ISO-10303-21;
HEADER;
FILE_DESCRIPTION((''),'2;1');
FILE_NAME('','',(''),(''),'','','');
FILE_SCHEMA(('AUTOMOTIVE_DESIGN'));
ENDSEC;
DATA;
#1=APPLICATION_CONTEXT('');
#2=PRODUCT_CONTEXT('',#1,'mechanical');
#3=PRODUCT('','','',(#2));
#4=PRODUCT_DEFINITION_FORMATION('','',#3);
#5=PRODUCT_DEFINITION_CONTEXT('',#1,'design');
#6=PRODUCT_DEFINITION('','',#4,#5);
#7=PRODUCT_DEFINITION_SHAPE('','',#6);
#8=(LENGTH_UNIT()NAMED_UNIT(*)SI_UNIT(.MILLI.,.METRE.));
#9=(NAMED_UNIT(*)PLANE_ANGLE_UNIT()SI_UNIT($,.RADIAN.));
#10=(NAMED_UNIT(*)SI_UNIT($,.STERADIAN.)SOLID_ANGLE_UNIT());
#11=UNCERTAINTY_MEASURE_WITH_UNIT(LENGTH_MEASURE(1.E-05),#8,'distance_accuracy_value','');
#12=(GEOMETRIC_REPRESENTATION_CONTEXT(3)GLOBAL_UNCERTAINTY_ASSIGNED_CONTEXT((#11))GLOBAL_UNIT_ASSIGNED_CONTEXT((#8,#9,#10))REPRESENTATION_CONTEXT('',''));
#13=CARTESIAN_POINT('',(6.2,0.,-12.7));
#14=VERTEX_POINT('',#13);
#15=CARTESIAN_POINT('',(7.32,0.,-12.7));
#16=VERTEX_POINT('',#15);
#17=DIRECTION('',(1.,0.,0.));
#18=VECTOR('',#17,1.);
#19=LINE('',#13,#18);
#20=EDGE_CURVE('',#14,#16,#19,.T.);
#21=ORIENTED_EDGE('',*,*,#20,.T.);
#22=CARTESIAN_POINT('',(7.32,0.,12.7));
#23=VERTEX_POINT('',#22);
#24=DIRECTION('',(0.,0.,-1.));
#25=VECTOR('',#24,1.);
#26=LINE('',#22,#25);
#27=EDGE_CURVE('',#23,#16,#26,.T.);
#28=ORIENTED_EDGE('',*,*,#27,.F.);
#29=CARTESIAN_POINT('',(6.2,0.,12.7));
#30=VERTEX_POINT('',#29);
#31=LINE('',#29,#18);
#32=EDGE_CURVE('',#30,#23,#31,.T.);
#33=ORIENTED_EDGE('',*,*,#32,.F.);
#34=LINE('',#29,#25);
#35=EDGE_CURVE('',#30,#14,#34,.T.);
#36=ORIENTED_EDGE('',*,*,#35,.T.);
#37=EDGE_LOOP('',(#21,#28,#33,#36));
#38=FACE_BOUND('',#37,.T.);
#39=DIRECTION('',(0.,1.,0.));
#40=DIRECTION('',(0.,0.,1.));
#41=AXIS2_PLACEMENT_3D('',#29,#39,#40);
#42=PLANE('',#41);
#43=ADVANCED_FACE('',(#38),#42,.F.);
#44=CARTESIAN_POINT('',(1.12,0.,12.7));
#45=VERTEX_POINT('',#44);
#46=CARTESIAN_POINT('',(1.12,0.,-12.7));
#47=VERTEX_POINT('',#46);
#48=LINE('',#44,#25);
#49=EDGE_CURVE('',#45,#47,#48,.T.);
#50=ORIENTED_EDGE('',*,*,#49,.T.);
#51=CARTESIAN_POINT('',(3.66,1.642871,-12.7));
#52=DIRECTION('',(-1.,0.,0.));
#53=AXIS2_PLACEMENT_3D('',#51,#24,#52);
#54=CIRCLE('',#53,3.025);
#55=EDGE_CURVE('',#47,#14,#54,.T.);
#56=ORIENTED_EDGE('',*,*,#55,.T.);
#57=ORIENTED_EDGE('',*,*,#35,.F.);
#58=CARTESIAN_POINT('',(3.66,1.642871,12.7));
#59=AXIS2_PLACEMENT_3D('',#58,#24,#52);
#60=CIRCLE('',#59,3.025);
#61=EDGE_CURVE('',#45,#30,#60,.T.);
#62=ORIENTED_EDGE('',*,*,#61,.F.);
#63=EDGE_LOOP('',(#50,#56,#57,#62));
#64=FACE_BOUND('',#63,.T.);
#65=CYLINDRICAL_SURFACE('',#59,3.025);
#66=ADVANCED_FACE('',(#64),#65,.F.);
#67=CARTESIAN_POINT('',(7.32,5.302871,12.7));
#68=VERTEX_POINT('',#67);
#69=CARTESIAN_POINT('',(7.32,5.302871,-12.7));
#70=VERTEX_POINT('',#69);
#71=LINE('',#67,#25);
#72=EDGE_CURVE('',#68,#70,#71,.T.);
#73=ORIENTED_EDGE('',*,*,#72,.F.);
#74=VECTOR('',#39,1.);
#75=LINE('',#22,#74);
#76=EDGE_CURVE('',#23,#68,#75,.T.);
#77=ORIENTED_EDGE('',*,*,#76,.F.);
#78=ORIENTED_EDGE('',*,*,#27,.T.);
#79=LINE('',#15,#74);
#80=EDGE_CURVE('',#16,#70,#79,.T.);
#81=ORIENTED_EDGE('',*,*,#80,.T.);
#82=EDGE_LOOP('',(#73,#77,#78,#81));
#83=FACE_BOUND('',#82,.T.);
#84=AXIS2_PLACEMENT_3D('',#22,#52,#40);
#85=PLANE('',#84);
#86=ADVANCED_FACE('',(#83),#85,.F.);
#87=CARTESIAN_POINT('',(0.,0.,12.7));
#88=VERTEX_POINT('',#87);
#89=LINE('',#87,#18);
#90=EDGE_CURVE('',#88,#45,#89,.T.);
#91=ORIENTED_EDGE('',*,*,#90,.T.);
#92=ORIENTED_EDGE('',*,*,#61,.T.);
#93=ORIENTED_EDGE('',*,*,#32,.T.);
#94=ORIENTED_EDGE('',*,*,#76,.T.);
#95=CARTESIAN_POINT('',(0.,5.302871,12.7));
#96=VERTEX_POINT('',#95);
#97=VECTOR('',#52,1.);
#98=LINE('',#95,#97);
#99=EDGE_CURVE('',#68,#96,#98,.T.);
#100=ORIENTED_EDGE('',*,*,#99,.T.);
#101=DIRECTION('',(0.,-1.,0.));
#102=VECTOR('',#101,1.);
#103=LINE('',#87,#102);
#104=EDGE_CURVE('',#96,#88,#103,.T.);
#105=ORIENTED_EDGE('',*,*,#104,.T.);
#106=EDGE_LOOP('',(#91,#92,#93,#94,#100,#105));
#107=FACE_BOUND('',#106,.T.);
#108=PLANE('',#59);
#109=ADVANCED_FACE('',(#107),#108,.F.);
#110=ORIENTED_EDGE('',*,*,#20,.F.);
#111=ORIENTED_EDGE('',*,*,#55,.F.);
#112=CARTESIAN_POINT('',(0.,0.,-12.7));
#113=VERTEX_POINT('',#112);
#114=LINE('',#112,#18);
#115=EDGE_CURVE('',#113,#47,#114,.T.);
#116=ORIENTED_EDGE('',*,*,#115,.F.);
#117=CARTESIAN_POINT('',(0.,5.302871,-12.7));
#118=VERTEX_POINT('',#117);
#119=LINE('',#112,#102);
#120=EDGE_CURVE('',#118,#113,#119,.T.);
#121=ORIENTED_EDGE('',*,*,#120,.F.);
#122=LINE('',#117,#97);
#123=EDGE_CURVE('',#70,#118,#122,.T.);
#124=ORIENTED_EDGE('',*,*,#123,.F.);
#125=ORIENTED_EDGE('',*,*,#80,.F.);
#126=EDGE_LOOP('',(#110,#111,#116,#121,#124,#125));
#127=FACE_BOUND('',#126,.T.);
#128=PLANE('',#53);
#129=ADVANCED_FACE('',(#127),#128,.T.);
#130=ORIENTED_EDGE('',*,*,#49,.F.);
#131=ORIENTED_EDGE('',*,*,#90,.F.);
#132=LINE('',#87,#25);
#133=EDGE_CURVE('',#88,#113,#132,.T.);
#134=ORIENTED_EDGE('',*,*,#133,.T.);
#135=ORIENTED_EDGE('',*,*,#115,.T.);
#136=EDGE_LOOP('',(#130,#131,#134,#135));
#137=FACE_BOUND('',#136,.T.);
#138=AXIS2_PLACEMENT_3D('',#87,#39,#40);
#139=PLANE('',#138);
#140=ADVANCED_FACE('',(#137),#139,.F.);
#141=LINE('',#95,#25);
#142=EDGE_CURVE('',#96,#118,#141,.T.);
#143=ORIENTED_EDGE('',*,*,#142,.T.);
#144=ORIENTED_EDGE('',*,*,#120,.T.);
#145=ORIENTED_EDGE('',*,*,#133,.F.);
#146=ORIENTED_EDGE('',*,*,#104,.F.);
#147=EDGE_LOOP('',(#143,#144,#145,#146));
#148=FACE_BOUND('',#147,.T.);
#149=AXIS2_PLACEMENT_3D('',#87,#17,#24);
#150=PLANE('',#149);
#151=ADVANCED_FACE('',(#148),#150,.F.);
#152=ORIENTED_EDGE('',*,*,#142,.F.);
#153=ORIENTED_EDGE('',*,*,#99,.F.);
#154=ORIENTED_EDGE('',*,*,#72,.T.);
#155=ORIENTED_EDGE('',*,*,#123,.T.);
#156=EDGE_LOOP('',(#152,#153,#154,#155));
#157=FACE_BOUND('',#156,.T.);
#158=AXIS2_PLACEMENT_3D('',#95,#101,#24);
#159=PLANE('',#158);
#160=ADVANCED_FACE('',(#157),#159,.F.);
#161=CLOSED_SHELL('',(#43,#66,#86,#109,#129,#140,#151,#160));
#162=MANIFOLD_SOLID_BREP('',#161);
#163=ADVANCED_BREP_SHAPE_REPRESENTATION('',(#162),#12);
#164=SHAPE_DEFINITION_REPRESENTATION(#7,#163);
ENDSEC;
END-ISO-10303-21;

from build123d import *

# Parameters (mm, degrees)
BOSS_EXTRUDE1_DEPTH = 12.7


with BuildPart() as part:
    # Sketch1 → Boss-Extrude1 (new, symmetric)
    with BuildSketch(Plane.XY):
        with BuildLine():
            Line((0, 0), (1.12, 0))
            ThreePointArc((1.12, 0), (3.66, 4.667870963), (6.2, 0))
            Line((6.2, 0), (7.32, 0))
            Line((7.32, 0), (7.32, 5.302870963))
            Line((7.32, 5.302870963), (0, 5.302870963))
            Line((0, 5.302870963), (0, 0))
        make_face()
    extrude(amount=BOSS_EXTRUDE1_DEPTH, both=True)


solid = part.part
